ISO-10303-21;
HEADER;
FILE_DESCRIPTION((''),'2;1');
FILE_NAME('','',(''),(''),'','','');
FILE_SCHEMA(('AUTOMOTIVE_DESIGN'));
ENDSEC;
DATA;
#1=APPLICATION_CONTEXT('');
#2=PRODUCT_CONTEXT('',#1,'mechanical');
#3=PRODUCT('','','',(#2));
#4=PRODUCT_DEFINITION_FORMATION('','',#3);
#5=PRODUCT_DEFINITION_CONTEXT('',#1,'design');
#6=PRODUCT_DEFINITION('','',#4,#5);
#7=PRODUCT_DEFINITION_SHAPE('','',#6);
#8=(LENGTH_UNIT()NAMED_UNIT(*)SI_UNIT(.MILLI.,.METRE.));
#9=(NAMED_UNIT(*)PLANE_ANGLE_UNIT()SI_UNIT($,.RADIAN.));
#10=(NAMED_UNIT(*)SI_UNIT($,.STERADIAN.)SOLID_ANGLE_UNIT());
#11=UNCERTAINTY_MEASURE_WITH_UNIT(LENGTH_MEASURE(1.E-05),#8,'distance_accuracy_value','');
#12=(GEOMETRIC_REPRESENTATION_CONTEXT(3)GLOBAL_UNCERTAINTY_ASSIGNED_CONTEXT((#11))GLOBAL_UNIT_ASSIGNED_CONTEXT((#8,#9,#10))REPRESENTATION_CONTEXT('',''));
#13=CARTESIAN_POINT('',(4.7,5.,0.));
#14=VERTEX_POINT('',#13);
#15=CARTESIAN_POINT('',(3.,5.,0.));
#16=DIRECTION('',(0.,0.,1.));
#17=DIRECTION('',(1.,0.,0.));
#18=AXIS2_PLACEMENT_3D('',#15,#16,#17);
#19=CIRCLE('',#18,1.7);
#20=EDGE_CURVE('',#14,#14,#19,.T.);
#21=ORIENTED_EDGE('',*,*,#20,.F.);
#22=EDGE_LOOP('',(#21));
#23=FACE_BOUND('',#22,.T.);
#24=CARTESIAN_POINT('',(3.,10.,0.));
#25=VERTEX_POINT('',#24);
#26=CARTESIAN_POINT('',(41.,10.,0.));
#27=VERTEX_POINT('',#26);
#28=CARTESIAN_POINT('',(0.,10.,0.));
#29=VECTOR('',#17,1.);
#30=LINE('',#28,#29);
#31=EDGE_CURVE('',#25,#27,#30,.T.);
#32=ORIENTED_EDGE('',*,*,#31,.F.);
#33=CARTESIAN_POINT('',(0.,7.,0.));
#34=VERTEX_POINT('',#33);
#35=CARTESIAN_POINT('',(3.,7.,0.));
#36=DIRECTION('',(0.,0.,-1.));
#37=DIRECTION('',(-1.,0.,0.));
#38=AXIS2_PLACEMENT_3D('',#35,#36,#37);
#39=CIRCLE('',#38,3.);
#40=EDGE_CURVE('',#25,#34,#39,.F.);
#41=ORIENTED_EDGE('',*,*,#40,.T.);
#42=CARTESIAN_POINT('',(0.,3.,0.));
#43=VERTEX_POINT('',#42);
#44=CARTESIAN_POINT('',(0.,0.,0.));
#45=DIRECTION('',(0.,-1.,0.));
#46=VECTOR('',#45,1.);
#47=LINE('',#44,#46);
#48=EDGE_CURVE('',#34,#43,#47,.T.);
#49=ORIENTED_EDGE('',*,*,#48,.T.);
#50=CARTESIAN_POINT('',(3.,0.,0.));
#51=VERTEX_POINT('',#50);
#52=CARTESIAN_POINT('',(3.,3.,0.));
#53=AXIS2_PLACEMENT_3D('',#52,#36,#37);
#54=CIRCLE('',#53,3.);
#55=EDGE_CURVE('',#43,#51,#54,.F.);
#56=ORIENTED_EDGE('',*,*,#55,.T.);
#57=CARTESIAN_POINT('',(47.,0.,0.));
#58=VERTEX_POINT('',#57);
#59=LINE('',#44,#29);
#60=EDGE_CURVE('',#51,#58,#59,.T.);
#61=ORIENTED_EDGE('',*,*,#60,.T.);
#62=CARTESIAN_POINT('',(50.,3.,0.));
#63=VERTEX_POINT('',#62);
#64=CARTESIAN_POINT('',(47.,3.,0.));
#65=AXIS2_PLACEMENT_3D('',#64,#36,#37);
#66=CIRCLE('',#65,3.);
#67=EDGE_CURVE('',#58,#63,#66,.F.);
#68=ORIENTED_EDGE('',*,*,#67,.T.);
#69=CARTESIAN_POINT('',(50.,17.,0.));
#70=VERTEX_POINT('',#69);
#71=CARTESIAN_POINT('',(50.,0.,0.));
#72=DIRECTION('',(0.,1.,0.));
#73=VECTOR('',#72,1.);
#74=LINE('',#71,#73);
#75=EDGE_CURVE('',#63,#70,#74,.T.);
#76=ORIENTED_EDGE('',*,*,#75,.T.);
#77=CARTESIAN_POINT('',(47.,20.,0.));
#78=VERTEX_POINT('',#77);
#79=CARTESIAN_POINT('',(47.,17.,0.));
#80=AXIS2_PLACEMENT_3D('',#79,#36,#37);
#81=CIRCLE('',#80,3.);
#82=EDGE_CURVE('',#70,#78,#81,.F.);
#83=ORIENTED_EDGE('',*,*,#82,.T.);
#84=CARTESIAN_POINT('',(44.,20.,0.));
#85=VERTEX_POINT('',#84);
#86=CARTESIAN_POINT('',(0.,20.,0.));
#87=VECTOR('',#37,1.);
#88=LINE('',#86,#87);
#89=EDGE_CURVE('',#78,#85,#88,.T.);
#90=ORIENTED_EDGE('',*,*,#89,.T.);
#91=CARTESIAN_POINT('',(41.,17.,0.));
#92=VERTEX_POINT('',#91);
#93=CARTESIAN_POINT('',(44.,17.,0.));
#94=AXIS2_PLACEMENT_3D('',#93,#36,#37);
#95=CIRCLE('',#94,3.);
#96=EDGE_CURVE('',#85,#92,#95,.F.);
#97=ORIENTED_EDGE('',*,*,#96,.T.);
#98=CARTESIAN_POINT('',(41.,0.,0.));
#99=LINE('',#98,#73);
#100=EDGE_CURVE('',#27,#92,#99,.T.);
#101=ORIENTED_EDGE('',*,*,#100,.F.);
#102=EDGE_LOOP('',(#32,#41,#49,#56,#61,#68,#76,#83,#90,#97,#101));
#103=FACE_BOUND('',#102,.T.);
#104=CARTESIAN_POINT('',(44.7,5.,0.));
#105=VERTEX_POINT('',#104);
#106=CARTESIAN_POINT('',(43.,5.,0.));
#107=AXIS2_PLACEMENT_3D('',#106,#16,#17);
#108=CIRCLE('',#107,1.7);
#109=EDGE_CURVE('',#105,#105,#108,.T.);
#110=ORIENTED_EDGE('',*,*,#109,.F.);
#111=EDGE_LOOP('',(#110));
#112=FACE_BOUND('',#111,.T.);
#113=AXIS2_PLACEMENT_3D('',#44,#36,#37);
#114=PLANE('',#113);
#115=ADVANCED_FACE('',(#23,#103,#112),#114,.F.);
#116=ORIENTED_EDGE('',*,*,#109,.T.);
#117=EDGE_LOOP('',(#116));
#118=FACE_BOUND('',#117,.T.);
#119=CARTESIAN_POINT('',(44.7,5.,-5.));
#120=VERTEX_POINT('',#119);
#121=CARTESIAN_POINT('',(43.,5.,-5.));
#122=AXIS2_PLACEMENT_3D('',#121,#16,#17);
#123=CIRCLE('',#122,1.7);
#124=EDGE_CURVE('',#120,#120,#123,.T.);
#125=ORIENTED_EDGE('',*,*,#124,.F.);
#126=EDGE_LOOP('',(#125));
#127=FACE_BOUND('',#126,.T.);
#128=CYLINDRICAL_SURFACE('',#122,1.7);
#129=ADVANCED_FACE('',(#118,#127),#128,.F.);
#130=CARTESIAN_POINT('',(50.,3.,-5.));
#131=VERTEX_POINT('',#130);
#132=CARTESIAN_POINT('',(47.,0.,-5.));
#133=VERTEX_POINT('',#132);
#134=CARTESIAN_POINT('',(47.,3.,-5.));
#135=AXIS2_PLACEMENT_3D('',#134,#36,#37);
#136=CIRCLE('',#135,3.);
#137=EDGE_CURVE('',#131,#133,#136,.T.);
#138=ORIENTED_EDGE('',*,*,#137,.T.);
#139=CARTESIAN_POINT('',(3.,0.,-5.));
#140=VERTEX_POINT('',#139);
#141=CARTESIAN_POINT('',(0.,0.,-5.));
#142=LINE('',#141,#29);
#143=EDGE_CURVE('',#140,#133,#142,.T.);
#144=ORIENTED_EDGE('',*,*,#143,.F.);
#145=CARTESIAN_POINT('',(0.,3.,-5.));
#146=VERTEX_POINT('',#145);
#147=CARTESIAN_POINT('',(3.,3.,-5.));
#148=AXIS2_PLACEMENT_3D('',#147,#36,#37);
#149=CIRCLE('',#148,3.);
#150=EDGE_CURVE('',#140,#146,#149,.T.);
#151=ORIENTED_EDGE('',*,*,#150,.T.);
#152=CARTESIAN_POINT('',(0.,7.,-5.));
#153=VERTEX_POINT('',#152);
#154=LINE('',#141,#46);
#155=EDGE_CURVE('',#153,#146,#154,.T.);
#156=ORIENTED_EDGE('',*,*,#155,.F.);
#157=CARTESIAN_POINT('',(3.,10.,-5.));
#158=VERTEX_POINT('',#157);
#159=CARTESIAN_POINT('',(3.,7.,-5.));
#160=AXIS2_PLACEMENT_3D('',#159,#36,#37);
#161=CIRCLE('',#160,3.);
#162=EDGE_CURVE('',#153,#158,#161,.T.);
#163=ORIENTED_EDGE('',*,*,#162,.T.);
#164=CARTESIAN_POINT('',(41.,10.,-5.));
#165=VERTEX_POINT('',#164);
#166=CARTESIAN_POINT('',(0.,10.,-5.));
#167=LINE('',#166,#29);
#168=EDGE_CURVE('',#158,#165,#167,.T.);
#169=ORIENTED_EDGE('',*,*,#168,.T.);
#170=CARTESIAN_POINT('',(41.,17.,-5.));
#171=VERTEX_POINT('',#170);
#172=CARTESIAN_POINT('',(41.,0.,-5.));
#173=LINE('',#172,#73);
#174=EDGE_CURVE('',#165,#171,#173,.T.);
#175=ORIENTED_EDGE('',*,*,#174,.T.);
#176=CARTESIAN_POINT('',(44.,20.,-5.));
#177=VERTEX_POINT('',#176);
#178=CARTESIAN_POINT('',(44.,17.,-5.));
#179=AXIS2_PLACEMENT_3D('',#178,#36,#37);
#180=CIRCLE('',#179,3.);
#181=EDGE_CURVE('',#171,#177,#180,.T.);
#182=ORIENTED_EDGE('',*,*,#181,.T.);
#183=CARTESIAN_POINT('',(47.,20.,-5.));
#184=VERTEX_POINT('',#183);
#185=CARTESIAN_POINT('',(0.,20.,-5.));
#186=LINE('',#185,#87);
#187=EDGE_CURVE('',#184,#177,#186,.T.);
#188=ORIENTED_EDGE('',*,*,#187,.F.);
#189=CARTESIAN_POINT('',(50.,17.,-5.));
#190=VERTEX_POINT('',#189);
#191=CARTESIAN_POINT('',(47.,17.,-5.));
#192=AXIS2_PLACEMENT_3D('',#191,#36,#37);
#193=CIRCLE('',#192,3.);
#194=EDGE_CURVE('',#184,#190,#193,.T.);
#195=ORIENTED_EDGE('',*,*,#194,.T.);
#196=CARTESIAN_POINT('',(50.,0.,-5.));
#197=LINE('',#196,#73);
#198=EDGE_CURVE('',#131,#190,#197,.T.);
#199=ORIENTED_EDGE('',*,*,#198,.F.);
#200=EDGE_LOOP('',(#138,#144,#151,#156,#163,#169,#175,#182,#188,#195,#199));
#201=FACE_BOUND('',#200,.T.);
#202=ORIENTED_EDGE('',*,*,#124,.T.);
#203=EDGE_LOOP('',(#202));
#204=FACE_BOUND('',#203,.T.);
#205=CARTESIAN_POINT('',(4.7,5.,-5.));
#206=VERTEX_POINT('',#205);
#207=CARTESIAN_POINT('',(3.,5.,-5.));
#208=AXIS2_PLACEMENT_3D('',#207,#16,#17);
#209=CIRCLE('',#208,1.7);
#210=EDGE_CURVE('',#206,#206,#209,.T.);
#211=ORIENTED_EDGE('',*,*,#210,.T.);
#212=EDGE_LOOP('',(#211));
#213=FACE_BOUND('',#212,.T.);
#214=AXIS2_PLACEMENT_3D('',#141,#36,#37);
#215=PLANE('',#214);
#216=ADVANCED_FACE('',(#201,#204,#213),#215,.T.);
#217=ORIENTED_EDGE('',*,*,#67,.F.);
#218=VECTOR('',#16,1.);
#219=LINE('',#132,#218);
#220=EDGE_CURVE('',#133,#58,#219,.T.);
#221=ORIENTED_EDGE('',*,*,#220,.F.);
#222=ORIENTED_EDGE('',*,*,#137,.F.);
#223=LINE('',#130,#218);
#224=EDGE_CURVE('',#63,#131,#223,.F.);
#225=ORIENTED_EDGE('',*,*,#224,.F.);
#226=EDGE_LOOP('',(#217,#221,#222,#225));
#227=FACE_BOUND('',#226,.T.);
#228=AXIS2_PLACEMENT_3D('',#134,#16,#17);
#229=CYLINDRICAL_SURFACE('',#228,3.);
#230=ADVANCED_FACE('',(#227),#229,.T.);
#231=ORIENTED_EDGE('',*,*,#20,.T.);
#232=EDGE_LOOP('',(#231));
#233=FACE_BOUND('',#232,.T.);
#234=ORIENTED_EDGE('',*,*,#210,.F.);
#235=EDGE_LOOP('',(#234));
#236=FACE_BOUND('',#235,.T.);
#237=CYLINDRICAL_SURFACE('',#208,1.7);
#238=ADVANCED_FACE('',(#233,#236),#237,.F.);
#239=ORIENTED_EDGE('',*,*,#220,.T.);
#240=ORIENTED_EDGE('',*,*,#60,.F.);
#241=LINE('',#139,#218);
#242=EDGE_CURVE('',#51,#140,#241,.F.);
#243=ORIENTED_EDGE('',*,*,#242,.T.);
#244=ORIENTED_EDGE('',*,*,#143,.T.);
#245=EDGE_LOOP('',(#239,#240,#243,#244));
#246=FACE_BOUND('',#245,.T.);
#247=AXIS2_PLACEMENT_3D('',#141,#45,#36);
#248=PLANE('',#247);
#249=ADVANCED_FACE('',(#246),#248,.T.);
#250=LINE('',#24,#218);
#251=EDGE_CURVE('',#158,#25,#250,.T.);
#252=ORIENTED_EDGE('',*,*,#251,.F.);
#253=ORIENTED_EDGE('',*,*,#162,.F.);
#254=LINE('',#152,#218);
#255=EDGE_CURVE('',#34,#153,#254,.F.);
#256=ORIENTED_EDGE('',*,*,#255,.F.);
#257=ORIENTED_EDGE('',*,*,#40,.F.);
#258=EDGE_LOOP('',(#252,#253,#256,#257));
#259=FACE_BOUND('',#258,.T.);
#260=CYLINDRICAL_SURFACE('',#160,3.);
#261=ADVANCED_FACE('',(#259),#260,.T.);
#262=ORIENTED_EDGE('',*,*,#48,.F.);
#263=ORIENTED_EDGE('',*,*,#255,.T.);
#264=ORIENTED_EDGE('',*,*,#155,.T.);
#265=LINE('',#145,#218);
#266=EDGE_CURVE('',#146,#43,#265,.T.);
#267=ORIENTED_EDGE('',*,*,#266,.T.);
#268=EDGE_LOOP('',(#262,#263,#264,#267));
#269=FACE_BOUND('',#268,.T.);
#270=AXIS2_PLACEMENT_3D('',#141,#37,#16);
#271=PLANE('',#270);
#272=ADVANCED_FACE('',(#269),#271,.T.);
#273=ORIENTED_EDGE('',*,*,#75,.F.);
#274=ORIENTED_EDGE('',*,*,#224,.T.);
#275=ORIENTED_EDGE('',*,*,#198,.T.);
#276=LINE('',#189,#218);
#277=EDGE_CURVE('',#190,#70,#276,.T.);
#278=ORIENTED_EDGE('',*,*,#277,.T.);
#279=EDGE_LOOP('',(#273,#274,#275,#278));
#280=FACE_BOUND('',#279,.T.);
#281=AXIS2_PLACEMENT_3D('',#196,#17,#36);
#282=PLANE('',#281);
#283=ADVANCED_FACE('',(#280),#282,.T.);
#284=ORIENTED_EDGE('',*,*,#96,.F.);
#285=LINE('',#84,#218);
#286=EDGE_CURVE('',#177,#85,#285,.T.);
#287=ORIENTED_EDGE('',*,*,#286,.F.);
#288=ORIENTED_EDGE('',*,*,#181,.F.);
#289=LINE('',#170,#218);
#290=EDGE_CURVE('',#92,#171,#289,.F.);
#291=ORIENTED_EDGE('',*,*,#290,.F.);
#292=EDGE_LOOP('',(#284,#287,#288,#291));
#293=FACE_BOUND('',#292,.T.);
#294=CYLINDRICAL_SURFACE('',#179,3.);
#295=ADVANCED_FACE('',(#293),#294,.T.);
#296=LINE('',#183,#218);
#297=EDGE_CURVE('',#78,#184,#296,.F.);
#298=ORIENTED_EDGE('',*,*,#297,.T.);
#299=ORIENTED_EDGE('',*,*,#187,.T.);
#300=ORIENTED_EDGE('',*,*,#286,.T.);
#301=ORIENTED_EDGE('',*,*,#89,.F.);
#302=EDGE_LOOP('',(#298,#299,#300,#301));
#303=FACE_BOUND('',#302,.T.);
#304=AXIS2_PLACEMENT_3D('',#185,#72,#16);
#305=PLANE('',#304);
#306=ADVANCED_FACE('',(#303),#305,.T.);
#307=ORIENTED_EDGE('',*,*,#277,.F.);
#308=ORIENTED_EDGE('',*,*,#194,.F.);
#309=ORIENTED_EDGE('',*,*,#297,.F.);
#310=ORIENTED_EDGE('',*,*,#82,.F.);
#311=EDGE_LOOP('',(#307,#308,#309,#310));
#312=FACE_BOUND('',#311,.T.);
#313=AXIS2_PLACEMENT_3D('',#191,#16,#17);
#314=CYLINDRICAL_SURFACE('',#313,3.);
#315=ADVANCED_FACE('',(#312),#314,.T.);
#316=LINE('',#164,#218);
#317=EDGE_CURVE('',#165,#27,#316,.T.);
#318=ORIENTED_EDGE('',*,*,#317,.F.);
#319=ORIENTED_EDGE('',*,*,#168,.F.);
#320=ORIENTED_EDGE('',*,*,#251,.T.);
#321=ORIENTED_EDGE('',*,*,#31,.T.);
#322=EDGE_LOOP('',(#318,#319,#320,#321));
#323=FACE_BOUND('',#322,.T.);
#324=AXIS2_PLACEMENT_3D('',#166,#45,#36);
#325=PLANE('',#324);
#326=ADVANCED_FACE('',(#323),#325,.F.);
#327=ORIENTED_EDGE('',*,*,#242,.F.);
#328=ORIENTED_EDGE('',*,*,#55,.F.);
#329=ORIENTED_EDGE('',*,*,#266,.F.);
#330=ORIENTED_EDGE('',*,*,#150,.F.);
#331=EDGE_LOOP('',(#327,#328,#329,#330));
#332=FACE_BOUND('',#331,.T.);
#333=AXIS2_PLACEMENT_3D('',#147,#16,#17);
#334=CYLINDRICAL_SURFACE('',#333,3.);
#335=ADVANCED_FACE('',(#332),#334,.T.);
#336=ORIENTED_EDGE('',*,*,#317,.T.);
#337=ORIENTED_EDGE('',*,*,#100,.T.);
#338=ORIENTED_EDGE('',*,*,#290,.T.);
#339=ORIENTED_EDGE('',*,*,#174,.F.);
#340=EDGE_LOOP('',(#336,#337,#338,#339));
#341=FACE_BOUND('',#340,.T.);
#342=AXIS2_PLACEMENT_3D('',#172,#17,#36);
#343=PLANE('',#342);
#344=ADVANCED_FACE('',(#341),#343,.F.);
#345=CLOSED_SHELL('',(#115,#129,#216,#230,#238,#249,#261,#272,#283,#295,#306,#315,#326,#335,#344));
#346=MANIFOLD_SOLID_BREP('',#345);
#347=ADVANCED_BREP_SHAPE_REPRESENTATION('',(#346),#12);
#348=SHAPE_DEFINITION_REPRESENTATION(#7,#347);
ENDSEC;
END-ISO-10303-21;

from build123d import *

# Parameters (mm, degrees)
SKETCH_1_W          = 46
SKETCH_1_H          = 20
SKETCH_1_R          = 1.7
EXTRUDE_1_DEPTH     = 5
SKETCH_3_W          = 41
SKETCH_3_H          = 10
CUT_EXTRUDE_1_DEPTH = 5
FILLET_1_R          = 3
SKETCH_4_W          = 4
SKETCH_4_H          = 20
EXTRUDE_2_DEPTH     = 5
FILLET_2_R          = 3
FILLET_3_R          = 3


with BuildPart() as part:
    # 草图1 → 凸台-拉伸1 (new body)
    with BuildSketch(Plane.XY):
        with Locations((23, 10)):
            Rectangle(SKETCH_1_W, SKETCH_1_H)
        with Locations((3, 5)):
            Circle(SKETCH_1_R, mode=Mode.SUBTRACT)
        with Locations((43, 5)):
            Circle(SKETCH_1_R, mode=Mode.SUBTRACT)
    extrude(amount=-EXTRUDE_1_DEPTH)

    # 草图3 → 切除-拉伸1 (cut)
    with BuildSketch(Plane.XY):
        with Locations((20.5, 15)):
            Rectangle(SKETCH_3_W, SKETCH_3_H)
    extrude(amount=-CUT_EXTRUDE_1_DEPTH, mode=Mode.SUBTRACT)

    # 圆角1
    fillet_1_edges = [part.edges().sort_by_distance(p)[0] for p in [
        (0, 10, -2.5),
        (41, 20, -2.5),
    ]]
    fillet(fillet_1_edges, radius=FILLET_1_R)

    # 草图4 → 凸台-拉伸2 (add)
    with BuildSketch(Plane.XY):
        with Locations((48, 10)):
            Rectangle(SKETCH_4_W, SKETCH_4_H)
    extrude(amount=-EXTRUDE_2_DEPTH)

    # 圆角2
    fillet_2_edges = [part.edges().sort_by_distance(p)[0] for p in [
        (50, 20, -2.5),
        (50, 0, -2.5),
    ]]
    fillet(fillet_2_edges, radius=FILLET_2_R)

    # 圆角3
    fillet_3_edges = [part.edges().sort_by_distance(p)[0] for p in [
        (0, 0, -2.5),
    ]]
    fillet(fillet_3_edges, radius=FILLET_3_R)


solid = part.part
